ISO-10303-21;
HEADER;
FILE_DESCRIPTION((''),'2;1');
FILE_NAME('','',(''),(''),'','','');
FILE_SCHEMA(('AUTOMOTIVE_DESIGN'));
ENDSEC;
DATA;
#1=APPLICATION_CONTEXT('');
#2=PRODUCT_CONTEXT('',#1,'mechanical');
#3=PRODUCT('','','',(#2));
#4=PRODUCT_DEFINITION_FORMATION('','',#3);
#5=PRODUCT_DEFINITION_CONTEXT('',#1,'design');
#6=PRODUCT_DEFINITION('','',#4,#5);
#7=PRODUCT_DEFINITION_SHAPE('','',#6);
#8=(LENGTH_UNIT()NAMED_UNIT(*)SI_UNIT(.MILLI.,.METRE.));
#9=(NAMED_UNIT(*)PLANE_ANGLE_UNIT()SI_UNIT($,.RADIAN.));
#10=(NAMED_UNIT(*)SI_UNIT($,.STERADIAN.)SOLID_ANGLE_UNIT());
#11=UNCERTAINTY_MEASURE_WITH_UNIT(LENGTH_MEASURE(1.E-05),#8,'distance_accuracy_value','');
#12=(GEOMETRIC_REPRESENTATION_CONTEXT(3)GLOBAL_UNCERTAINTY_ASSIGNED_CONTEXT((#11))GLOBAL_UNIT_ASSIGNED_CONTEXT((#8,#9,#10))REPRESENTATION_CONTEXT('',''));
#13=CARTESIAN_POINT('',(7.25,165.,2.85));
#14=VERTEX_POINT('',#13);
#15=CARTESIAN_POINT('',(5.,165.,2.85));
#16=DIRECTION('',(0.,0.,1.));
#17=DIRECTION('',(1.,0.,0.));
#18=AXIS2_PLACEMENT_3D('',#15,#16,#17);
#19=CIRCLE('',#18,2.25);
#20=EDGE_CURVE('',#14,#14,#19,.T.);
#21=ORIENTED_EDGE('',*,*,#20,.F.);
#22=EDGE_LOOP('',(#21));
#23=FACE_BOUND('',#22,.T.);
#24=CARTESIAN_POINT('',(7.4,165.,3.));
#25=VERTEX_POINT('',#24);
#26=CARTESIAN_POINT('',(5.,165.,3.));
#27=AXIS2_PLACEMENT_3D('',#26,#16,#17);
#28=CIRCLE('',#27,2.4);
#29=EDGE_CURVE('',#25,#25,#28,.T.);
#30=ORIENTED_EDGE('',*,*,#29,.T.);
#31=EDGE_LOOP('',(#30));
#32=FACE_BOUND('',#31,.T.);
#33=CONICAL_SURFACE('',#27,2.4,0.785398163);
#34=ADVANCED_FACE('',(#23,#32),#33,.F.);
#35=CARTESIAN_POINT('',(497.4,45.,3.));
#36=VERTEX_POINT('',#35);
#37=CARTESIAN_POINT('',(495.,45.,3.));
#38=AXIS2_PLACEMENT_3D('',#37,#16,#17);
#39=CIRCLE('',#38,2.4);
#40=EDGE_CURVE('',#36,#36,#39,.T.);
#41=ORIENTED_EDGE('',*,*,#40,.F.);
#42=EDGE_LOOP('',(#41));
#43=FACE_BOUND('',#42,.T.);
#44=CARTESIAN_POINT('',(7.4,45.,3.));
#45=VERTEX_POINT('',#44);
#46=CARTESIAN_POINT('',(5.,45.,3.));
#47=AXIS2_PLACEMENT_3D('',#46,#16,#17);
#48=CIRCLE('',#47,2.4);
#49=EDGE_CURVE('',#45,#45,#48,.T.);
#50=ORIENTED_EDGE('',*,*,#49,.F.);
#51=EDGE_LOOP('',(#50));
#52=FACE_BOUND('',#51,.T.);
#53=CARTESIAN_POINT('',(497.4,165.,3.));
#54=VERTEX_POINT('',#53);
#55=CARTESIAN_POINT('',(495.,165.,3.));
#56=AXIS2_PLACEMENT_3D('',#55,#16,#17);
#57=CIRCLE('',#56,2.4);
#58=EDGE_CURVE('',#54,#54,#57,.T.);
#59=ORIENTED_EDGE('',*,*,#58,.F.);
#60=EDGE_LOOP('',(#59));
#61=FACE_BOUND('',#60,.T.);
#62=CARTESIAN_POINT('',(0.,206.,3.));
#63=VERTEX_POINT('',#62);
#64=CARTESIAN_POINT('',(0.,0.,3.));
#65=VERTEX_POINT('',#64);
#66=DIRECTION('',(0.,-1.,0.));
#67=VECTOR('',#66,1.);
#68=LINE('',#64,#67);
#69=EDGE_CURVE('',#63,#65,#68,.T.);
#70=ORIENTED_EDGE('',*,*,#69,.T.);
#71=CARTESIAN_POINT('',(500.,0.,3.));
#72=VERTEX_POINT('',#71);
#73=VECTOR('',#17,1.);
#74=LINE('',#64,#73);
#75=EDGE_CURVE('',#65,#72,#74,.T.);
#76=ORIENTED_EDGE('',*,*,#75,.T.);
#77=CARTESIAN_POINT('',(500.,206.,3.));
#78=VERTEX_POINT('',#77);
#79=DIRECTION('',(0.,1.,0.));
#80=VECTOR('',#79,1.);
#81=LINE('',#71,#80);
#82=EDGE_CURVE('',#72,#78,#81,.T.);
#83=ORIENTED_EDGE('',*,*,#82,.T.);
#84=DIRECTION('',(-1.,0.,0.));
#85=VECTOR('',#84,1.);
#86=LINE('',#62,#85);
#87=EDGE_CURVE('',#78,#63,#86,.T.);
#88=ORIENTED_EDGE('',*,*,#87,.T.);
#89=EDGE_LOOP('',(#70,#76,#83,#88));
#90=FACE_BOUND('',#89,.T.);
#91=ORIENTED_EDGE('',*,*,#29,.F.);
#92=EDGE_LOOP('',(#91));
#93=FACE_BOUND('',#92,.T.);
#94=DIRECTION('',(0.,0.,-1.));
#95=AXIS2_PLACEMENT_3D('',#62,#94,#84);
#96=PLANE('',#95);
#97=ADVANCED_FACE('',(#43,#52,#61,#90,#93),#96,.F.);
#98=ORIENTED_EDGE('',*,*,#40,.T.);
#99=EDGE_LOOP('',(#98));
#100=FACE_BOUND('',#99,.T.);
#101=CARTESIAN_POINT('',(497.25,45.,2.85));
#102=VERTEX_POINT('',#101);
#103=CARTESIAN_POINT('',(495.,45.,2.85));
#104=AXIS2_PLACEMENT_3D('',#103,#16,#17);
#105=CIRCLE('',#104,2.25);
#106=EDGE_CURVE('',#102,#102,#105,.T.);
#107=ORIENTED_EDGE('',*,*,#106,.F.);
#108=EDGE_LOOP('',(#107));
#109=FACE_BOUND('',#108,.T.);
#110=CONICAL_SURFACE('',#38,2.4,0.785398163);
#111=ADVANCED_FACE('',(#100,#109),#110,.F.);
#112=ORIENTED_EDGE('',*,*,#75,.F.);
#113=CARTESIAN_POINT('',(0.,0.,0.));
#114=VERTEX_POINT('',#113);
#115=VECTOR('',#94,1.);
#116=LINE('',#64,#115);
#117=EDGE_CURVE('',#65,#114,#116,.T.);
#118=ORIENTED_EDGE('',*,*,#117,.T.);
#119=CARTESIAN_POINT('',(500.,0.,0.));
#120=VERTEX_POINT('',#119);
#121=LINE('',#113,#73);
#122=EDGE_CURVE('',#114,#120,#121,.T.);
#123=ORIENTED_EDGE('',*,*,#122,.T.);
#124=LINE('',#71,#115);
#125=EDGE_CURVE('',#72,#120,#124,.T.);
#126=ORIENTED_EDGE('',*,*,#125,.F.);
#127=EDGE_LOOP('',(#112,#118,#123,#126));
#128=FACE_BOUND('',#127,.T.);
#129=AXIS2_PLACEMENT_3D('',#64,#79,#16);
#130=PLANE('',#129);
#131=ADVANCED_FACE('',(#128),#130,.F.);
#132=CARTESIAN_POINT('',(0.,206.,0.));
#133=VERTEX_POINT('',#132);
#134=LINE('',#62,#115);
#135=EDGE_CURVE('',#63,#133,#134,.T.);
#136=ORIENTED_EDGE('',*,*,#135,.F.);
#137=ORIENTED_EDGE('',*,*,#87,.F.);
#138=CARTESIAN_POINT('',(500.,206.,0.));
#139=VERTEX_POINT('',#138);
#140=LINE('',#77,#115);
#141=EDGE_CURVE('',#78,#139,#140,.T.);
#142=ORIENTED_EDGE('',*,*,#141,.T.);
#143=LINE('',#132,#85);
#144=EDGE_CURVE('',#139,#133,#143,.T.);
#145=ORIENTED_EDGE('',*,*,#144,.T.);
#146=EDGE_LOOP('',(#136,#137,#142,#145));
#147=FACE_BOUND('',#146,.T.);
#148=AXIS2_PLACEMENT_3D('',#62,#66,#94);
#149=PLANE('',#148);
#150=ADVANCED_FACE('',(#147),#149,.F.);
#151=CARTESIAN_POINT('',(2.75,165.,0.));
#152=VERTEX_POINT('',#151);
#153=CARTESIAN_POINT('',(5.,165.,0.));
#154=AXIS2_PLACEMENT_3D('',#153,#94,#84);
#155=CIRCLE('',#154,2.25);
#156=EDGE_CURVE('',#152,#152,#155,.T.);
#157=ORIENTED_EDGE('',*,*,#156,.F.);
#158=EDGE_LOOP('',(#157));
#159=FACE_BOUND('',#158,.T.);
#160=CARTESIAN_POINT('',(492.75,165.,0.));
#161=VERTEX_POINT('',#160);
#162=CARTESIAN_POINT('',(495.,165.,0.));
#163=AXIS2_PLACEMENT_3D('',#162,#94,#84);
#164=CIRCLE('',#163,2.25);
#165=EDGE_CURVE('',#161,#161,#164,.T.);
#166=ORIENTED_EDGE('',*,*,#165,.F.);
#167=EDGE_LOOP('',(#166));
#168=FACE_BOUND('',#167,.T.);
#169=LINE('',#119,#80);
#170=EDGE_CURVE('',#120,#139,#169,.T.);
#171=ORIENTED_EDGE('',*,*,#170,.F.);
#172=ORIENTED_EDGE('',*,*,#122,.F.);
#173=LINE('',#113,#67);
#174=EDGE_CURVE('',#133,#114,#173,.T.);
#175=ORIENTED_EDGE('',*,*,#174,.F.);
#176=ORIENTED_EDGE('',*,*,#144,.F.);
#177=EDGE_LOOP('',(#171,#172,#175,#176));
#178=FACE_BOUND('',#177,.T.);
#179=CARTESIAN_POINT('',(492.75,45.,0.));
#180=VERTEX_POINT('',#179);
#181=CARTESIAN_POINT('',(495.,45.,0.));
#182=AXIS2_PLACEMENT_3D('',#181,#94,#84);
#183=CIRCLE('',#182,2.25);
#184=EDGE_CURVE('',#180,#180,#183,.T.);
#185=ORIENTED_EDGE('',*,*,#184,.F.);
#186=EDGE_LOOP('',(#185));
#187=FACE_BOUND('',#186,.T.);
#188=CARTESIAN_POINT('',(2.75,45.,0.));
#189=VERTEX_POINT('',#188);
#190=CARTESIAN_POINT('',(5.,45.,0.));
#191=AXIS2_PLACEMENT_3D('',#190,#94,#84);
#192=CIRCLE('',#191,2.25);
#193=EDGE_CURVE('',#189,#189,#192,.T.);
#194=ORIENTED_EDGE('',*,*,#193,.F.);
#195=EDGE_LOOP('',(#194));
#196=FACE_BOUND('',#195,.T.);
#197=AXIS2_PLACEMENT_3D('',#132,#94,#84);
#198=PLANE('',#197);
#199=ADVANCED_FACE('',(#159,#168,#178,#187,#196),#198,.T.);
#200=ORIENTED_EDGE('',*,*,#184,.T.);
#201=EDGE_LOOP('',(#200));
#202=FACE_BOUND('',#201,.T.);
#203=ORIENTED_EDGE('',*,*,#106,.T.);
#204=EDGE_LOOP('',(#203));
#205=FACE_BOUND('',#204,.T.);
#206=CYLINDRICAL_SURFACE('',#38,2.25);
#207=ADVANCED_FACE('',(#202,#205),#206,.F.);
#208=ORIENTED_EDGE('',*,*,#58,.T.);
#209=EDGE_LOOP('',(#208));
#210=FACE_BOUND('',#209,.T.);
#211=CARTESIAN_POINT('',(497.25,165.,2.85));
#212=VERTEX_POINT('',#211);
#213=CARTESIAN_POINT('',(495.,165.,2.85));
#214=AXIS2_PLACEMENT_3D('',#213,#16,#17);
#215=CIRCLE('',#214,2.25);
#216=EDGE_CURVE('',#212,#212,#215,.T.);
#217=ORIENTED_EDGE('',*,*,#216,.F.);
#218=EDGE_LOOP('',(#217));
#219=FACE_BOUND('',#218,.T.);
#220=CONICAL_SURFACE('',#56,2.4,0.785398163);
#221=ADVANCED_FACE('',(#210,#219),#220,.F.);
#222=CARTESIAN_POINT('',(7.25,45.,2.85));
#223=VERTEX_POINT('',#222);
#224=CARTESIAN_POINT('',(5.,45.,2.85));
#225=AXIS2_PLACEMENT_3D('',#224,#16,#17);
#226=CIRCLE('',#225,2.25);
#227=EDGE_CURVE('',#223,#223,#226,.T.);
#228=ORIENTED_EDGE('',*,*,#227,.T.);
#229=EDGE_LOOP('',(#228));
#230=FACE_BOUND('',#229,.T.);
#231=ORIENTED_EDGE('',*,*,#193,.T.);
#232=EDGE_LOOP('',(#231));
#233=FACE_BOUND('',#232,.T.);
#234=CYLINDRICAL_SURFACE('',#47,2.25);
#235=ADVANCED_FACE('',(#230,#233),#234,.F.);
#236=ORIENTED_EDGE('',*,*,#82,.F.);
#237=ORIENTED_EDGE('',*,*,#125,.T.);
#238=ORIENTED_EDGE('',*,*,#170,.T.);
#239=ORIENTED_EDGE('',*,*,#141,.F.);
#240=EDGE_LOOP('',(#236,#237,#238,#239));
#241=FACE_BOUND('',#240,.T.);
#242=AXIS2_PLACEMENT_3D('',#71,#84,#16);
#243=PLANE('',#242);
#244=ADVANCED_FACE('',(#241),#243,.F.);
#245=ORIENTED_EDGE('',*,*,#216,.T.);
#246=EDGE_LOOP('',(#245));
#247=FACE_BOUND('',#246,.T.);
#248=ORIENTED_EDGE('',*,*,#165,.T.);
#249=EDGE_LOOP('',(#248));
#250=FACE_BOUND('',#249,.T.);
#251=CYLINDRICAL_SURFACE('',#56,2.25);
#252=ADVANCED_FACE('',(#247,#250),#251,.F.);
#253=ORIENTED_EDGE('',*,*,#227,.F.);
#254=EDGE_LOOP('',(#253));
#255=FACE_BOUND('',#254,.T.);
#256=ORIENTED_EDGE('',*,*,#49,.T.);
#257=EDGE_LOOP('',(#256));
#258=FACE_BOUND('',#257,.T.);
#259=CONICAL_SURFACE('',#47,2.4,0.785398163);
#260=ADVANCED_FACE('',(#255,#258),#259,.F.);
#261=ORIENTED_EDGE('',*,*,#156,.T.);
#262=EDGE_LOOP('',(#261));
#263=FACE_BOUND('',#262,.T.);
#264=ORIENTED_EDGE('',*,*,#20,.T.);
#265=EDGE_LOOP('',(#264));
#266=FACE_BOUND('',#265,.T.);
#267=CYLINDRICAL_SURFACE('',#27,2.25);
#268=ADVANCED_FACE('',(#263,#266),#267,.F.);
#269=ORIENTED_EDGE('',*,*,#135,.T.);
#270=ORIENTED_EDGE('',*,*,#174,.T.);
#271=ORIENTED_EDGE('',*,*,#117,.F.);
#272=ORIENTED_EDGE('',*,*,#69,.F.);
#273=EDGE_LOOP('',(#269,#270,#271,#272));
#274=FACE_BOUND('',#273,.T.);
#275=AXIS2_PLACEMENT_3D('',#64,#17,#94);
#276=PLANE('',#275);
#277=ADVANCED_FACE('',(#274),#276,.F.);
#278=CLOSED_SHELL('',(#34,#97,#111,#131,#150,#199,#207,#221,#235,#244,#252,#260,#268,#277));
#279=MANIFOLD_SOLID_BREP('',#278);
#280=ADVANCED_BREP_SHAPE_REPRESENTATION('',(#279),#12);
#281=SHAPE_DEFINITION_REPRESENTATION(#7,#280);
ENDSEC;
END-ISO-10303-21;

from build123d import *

# Parameters (mm, degrees)
SKETCH_1_W                  = 500
SKETCH_1_H                  = 206
EXTRUDE_1_DEPTH             = 3
HOLE_WIZARD_M41_D           = 4.5
HOLE_WIZARD_M41_DEPTH       = 10
HOLE_WIZARD_M41_CSINK_D     = 4.8
HOLE_WIZARD_M41_CSINK_ANGLE = 90
HOLE_WIZARD_M41_TIP         = 1.351936393


with BuildPart() as part:
    # Эскиз1 → Бобышка-Вытянуть1 (new body)
    with BuildSketch(Plane.XY):
        with Locations((250, 103)):
            Rectangle(SKETCH_1_W, SKETCH_1_H)
    extrude(amount=EXTRUDE_1_DEPTH)

    # Отверстие с зазором M41
    with Locations(Plane.XY.offset(3)):
        with Locations((5, 165), (5, 45), (495, 45), (495, 165)):
            CounterSinkHole(HOLE_WIZARD_M41_D / 2, HOLE_WIZARD_M41_CSINK_D / 2, depth=HOLE_WIZARD_M41_DEPTH, counter_sink_angle=HOLE_WIZARD_M41_CSINK_ANGLE)
            with Locations((0, 0, -(HOLE_WIZARD_M41_DEPTH + HOLE_WIZARD_M41_TIP / 2))):  # 118° drill point
                Cone(0, HOLE_WIZARD_M41_D / 2, HOLE_WIZARD_M41_TIP, mode=Mode.SUBTRACT)


solid = part.part
